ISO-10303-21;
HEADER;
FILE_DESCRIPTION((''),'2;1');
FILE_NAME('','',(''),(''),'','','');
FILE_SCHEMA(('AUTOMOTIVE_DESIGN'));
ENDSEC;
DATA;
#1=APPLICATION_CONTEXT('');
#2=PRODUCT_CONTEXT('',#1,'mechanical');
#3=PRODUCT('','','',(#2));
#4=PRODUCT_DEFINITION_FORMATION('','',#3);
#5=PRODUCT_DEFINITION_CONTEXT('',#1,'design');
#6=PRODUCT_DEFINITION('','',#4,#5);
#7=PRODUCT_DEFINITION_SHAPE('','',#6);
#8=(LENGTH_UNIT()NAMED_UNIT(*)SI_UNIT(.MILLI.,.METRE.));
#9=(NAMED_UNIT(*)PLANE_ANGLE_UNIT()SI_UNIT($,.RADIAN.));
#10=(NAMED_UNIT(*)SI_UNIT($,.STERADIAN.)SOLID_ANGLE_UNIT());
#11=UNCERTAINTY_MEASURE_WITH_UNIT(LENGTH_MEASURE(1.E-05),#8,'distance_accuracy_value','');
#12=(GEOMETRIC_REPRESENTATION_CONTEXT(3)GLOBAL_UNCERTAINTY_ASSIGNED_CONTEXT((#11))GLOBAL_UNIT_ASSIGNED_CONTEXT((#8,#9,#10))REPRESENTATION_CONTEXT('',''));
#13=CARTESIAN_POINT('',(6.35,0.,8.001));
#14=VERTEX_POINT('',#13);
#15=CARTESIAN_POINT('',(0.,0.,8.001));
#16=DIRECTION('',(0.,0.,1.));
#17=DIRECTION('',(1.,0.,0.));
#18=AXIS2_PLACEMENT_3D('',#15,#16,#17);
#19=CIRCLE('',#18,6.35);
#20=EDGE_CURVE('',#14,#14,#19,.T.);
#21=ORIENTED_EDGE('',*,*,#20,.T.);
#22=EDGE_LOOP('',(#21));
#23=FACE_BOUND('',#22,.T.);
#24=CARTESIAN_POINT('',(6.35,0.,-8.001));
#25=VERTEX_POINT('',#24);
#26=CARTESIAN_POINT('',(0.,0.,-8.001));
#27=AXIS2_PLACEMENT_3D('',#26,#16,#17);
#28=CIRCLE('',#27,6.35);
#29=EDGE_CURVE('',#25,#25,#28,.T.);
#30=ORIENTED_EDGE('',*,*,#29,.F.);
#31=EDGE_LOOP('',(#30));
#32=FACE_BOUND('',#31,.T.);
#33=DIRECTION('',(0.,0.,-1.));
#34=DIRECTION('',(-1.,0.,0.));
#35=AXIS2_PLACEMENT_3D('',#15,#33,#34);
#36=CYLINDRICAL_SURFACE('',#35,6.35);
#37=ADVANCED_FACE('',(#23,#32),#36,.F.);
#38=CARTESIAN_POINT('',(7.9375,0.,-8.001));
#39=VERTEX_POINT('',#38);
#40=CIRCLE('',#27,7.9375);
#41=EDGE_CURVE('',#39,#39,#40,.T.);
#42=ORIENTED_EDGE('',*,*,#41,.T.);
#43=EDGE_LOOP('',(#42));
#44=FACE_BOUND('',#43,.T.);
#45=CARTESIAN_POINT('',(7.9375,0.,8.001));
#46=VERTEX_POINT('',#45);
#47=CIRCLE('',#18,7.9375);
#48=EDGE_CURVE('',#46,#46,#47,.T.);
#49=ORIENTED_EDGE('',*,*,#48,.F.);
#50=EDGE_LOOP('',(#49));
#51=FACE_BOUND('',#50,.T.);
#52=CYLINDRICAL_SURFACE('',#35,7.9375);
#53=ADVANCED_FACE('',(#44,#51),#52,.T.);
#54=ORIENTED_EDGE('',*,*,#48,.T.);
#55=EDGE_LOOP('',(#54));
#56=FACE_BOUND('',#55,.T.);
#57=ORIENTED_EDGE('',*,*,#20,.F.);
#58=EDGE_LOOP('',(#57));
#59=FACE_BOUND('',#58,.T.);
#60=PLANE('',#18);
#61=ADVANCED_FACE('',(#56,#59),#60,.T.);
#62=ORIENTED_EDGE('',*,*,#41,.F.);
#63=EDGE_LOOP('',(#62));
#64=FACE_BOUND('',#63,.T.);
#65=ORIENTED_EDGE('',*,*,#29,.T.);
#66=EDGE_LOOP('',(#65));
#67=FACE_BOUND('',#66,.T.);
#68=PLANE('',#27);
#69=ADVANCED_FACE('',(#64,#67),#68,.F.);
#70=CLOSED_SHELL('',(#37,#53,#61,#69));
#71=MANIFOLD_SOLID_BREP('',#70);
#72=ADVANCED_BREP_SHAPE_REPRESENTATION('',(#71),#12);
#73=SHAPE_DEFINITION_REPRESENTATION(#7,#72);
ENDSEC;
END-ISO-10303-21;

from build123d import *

# Parameters (mm, degrees)
SKETCH1_R           = 7.9375
SKETCH1_R_2         = 6.35
BOSS_EXTRUDE1_DEPTH = 8.001


with BuildPart() as part:
    # Sketch1 → Boss-Extrude1 (new body, symmetric)
    with BuildSketch(Plane.XY):
        Circle(SKETCH1_R)
        Circle(SKETCH1_R_2, mode=Mode.SUBTRACT)
    extrude(amount=BOSS_EXTRUDE1_DEPTH, both=True)


solid = part.part
